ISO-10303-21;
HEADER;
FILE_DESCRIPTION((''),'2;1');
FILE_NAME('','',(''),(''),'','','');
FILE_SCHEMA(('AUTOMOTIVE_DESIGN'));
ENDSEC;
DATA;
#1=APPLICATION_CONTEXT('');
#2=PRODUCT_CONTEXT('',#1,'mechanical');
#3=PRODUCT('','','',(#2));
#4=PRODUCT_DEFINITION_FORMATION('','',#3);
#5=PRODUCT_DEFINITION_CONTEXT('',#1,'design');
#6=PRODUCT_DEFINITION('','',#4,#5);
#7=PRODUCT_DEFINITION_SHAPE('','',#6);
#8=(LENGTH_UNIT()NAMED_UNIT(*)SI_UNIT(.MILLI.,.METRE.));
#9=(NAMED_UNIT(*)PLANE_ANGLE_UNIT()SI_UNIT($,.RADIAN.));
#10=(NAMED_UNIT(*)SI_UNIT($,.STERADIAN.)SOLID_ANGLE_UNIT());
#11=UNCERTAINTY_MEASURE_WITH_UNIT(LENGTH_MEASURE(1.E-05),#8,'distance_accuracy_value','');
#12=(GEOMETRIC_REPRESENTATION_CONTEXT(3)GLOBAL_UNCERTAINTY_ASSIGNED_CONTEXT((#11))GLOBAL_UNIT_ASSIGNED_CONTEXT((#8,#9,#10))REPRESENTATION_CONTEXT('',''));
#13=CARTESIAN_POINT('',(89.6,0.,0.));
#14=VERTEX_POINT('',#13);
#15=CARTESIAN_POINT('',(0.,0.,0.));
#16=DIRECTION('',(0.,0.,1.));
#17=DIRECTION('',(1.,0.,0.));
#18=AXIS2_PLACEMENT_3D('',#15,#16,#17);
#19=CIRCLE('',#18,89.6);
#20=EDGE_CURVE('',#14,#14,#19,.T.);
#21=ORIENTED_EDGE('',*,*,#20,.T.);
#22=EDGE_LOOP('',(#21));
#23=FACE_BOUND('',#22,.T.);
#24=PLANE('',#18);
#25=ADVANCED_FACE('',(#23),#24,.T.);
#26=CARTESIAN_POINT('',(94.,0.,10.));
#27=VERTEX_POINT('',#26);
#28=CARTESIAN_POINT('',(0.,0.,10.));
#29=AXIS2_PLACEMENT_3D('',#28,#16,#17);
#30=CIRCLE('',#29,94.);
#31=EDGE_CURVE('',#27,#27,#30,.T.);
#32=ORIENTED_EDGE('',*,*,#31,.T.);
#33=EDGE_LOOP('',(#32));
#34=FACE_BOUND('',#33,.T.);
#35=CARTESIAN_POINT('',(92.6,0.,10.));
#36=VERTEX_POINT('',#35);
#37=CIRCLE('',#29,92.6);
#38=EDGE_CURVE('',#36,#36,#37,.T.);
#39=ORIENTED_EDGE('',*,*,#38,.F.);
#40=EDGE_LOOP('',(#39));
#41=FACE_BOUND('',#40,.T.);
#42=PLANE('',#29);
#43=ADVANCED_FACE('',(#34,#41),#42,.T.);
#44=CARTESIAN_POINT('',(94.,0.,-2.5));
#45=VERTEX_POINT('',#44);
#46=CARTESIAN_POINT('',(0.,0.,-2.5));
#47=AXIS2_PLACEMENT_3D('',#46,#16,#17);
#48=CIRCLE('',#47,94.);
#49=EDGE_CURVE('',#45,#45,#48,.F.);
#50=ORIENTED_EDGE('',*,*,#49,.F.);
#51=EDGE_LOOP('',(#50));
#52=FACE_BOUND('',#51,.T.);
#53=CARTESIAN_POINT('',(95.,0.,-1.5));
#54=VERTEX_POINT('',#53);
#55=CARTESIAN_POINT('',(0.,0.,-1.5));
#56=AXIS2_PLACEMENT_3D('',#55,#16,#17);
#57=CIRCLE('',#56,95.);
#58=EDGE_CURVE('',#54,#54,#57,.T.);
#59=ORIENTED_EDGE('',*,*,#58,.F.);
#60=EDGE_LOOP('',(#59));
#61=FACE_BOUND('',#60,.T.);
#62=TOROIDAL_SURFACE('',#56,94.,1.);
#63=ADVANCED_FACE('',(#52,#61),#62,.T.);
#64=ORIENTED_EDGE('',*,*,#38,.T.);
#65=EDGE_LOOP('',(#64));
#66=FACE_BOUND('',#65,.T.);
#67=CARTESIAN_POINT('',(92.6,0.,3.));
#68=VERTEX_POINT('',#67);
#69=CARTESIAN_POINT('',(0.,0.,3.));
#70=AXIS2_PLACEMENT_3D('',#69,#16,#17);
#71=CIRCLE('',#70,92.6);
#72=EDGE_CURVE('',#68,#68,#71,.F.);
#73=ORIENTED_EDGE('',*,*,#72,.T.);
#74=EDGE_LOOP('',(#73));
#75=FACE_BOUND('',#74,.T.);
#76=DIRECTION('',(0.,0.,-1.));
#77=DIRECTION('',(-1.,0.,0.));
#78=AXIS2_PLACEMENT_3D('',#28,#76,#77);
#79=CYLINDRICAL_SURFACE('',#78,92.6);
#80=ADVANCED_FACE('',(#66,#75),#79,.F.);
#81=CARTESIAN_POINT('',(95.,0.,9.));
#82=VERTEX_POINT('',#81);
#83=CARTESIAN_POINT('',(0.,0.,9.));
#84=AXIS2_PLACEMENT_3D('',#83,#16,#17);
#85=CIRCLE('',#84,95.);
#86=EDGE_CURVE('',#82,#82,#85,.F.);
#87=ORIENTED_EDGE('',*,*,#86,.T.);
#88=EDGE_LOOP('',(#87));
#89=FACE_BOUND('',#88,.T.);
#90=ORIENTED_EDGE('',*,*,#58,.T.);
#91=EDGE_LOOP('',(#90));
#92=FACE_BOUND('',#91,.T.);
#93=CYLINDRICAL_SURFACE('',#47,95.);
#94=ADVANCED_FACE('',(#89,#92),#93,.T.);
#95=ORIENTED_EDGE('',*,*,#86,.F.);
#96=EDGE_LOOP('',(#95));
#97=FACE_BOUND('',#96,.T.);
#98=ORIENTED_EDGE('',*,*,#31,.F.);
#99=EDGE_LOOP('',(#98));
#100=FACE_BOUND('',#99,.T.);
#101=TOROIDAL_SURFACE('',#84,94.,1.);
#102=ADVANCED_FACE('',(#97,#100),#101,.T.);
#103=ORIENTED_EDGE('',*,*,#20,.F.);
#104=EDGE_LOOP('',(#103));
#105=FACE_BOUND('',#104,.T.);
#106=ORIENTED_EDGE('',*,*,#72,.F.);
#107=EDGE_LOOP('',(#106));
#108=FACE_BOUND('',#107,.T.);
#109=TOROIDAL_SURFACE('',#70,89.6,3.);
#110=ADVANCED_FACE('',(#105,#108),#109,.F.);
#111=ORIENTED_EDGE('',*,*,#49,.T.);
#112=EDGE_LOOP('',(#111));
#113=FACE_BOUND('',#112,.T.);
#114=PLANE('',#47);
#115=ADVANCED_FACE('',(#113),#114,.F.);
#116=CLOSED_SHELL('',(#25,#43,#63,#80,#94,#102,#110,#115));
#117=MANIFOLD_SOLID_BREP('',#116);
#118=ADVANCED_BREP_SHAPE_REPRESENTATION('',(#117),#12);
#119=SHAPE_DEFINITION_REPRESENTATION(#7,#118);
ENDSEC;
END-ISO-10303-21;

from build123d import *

# Parameters (mm, degrees)
SKETCH1_R           = 95
BOSS_EXTRUDE1_DEPTH = 2.5
BOSS_EXTRUDE2_START = 10
SKETCH1_3_R         = 95
SKETCH1_3_R_2       = 92.6
BOSS_EXTRUDE2_DEPTH = 10
FILLET3_R           = 1
FILLET4_R           = 1
FILLET5_R           = 3


with BuildPart() as part:
    # Sketch1 → Boss-Extrude1 (new body)
    with BuildSketch(Plane.XY):
        Circle(SKETCH1_R)
    extrude(amount=-BOSS_EXTRUDE1_DEPTH)

    # Sketch1<3> → Boss-Extrude2 (add)
    with BuildSketch(Plane.XY.offset(BOSS_EXTRUDE2_START)):
        Circle(SKETCH1_3_R)
        Circle(SKETCH1_3_R_2, mode=Mode.SUBTRACT)
    extrude(amount=-BOSS_EXTRUDE2_DEPTH)

    # Fillet3
    fillet3_edges = [part.edges().sort_by_distance(p)[0] for p in [
        (-95, 0, -2.5),
    ]]
    fillet(fillet3_edges, radius=FILLET3_R)

    # Fillet4
    fillet4_edges = [part.edges().sort_by_distance(p)[0] for p in [
        (-95, 0, 10),
    ]]
    fillet(fillet4_edges, radius=FILLET4_R)

    # Fillet5
    fillet5_edges = [part.edges().sort_by_distance(p)[0] for p in [
        (-92.6, 0, 0),
    ]]
    fillet(fillet5_edges, radius=FILLET5_R)


solid = part.part
